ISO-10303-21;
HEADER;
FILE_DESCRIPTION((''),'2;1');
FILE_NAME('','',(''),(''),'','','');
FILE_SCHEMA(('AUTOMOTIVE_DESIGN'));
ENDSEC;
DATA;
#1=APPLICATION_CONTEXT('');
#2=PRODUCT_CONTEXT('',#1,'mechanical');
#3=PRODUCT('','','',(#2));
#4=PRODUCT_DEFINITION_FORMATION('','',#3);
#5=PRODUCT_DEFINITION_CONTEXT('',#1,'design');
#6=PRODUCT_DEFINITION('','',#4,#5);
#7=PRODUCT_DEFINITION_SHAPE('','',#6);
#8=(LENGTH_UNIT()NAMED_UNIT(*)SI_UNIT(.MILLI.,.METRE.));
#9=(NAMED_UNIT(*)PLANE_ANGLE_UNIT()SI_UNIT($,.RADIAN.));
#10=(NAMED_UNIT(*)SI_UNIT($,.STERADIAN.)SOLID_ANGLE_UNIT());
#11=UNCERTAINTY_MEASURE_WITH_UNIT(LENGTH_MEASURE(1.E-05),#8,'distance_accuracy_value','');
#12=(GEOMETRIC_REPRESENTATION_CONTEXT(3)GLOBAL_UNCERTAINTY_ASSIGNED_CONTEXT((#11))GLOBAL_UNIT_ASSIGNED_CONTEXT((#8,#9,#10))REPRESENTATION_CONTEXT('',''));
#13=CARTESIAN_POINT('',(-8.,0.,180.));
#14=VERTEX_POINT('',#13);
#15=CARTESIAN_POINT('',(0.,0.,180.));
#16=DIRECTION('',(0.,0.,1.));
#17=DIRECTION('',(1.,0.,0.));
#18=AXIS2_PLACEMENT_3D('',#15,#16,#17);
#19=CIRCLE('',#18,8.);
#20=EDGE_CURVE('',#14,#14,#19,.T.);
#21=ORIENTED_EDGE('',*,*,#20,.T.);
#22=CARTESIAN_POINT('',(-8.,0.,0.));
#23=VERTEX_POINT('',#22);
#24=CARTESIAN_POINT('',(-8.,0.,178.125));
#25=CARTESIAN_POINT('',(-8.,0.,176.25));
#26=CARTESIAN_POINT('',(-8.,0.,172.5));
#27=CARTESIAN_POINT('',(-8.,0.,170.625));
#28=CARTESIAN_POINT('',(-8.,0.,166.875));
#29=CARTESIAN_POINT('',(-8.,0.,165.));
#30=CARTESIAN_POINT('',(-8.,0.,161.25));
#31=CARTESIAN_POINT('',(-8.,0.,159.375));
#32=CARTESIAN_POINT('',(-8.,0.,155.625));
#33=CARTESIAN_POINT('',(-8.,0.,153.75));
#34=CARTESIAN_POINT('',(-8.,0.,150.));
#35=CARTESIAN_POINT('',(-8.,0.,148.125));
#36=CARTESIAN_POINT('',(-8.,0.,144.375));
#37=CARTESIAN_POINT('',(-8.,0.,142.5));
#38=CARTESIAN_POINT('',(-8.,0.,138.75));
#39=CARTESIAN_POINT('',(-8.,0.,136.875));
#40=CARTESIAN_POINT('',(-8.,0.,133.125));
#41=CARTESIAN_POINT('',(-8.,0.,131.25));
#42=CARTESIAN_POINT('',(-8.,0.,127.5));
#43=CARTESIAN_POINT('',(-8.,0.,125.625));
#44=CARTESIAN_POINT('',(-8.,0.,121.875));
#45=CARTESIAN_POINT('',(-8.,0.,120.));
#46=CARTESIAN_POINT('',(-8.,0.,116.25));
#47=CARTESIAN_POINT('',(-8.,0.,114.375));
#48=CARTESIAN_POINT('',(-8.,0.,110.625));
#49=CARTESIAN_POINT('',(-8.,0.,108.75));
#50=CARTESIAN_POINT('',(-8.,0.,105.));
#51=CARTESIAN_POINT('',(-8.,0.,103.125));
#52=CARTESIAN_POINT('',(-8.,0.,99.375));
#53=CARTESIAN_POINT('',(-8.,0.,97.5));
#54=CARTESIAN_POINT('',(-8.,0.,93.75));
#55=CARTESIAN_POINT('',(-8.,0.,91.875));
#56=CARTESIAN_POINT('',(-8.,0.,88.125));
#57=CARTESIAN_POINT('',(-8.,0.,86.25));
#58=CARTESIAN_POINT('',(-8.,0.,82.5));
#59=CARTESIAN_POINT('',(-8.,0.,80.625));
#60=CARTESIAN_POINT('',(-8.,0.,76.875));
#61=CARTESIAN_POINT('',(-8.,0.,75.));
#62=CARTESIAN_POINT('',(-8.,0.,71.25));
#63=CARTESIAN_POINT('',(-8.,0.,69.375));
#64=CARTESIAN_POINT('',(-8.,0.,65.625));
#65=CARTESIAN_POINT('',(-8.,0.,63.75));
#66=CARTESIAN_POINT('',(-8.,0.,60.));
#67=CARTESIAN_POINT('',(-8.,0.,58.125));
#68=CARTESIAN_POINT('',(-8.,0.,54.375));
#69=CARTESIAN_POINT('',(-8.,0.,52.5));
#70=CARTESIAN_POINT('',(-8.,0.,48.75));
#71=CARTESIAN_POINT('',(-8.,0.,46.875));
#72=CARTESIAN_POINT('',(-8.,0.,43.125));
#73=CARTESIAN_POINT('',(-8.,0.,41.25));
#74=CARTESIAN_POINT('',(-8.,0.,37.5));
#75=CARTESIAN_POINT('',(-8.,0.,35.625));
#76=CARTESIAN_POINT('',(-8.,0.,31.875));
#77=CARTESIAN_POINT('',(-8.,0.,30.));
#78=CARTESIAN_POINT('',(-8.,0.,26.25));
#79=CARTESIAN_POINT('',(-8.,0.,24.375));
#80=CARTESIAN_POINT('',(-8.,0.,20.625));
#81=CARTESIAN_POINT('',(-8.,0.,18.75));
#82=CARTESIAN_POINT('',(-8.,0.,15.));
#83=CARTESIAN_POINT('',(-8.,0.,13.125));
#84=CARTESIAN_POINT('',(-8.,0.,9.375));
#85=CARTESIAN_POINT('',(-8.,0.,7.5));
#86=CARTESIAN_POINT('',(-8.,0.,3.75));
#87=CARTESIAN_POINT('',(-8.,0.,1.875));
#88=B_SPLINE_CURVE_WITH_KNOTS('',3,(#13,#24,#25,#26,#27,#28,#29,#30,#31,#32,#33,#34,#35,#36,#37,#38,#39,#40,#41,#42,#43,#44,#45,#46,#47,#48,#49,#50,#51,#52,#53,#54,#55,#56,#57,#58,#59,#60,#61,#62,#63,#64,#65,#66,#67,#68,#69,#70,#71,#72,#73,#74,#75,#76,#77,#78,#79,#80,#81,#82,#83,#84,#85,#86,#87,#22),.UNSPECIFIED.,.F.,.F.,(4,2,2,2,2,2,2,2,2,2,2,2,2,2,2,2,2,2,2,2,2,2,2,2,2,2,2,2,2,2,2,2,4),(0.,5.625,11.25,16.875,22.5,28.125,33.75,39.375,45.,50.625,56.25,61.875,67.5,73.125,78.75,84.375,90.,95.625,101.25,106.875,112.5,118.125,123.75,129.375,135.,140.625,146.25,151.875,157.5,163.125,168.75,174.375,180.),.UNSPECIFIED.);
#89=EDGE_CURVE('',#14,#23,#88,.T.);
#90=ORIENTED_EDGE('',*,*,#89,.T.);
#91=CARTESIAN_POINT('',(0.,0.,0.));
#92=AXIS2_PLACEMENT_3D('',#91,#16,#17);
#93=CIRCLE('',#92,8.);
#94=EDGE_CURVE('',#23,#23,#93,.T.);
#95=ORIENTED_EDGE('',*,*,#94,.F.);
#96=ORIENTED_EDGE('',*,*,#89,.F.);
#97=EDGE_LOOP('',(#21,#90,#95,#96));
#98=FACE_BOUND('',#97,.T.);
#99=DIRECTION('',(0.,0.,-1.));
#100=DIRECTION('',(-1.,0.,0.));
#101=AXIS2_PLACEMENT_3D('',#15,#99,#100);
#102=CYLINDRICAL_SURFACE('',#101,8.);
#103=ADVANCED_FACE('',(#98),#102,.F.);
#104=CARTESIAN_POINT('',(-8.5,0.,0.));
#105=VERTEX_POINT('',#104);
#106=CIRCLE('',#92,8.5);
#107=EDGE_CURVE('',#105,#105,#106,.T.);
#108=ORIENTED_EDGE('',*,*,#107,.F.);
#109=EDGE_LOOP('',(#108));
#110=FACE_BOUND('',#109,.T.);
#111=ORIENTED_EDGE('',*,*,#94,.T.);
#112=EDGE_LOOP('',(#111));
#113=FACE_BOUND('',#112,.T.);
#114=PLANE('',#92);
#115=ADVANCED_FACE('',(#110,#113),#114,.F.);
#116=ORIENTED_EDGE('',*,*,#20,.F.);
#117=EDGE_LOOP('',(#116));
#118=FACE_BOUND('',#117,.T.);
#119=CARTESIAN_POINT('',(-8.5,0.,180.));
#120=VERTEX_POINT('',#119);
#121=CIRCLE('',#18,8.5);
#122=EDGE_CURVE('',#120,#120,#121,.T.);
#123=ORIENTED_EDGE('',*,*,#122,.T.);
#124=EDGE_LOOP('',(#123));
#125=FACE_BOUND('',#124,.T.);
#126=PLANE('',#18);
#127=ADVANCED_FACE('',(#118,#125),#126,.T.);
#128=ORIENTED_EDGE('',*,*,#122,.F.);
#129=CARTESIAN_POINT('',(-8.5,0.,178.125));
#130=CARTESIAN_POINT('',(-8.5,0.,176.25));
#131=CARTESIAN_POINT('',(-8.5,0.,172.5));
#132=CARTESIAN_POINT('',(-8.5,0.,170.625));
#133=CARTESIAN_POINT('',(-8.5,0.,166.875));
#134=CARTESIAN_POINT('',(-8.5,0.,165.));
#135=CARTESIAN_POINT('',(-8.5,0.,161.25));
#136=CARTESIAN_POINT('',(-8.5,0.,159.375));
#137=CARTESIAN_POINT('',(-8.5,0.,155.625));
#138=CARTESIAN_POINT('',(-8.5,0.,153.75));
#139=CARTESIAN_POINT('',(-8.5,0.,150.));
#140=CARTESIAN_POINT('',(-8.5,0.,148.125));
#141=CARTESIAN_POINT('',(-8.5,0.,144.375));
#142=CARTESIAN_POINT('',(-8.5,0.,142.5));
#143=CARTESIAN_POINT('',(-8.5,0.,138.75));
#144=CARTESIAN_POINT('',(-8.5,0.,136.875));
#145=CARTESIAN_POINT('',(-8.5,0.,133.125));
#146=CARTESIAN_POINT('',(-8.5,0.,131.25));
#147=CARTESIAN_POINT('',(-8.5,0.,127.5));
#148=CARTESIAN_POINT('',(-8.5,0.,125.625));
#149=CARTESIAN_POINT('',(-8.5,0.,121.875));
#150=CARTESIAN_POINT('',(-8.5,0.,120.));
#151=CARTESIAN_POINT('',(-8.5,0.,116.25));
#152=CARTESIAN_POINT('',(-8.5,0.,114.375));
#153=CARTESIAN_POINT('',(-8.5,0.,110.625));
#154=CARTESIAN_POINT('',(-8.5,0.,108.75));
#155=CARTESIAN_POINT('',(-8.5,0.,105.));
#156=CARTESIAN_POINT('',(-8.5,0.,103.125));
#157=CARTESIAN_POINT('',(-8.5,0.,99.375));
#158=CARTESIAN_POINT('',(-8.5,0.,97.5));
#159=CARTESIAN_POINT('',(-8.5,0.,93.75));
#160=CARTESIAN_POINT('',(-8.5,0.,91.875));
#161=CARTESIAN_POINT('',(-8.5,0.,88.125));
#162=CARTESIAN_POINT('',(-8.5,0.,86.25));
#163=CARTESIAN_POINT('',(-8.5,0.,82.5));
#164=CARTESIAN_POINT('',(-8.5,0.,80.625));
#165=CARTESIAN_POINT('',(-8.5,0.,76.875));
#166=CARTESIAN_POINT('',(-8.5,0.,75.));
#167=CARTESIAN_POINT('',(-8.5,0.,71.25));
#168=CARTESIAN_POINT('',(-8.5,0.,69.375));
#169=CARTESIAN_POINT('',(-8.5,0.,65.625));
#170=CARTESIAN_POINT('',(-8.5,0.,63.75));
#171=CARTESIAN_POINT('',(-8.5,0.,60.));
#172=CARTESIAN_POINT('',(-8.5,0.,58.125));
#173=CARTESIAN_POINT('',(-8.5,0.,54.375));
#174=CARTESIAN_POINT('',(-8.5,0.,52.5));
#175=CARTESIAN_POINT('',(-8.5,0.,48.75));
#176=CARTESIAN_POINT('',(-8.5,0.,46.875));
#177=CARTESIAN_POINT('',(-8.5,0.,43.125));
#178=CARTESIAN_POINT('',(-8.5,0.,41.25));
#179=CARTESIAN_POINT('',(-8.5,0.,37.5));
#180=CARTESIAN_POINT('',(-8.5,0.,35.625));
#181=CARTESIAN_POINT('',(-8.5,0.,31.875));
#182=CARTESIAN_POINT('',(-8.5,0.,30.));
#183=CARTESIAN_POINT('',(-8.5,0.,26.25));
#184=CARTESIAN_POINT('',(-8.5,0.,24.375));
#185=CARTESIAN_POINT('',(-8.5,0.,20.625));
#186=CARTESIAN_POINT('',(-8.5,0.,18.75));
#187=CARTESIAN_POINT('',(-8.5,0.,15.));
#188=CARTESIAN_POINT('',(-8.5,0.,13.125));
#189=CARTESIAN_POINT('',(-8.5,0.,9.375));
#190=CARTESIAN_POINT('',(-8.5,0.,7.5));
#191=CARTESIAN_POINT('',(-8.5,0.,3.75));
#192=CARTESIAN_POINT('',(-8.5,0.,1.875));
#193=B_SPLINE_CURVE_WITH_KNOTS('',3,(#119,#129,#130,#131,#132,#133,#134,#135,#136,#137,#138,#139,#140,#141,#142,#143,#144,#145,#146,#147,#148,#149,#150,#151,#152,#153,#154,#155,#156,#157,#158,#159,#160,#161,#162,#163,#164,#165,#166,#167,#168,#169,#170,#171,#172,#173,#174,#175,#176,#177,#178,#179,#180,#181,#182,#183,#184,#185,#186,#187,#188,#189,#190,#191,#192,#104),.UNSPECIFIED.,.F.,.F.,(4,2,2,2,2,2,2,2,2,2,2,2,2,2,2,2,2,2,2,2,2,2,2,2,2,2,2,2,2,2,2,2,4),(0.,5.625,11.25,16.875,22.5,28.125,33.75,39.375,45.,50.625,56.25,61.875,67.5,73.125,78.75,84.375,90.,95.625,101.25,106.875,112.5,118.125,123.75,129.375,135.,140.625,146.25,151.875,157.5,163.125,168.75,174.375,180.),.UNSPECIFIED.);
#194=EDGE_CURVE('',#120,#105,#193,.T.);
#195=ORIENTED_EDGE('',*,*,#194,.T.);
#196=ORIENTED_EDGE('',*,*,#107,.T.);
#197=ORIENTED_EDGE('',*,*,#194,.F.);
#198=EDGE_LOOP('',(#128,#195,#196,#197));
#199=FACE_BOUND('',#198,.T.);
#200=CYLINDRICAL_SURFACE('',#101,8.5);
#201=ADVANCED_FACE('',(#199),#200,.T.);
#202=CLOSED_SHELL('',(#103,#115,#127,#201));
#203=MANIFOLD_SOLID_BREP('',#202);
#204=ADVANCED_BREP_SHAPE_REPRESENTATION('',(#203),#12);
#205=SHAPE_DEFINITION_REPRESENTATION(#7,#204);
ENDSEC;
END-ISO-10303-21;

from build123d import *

# Parameters (mm, degrees)
SKETCH1_R           = 8.5
SKETCH1_R_2         = 8
BOSS_EXTRUDE1_DEPTH = 180


with BuildPart() as part:
    # Sketch1 → Boss-Extrude1 (new body)
    with BuildSketch(Plane.XY):
        with Locations(Location((0, 0, 0), (0, 0, 180))):
            Circle(SKETCH1_R)
        with Locations(Location((0, 0, 0), (0, 0, 180))):
            Circle(SKETCH1_R_2, mode=Mode.SUBTRACT)
    extrude(amount=BOSS_EXTRUDE1_DEPTH)


solid = part.part
